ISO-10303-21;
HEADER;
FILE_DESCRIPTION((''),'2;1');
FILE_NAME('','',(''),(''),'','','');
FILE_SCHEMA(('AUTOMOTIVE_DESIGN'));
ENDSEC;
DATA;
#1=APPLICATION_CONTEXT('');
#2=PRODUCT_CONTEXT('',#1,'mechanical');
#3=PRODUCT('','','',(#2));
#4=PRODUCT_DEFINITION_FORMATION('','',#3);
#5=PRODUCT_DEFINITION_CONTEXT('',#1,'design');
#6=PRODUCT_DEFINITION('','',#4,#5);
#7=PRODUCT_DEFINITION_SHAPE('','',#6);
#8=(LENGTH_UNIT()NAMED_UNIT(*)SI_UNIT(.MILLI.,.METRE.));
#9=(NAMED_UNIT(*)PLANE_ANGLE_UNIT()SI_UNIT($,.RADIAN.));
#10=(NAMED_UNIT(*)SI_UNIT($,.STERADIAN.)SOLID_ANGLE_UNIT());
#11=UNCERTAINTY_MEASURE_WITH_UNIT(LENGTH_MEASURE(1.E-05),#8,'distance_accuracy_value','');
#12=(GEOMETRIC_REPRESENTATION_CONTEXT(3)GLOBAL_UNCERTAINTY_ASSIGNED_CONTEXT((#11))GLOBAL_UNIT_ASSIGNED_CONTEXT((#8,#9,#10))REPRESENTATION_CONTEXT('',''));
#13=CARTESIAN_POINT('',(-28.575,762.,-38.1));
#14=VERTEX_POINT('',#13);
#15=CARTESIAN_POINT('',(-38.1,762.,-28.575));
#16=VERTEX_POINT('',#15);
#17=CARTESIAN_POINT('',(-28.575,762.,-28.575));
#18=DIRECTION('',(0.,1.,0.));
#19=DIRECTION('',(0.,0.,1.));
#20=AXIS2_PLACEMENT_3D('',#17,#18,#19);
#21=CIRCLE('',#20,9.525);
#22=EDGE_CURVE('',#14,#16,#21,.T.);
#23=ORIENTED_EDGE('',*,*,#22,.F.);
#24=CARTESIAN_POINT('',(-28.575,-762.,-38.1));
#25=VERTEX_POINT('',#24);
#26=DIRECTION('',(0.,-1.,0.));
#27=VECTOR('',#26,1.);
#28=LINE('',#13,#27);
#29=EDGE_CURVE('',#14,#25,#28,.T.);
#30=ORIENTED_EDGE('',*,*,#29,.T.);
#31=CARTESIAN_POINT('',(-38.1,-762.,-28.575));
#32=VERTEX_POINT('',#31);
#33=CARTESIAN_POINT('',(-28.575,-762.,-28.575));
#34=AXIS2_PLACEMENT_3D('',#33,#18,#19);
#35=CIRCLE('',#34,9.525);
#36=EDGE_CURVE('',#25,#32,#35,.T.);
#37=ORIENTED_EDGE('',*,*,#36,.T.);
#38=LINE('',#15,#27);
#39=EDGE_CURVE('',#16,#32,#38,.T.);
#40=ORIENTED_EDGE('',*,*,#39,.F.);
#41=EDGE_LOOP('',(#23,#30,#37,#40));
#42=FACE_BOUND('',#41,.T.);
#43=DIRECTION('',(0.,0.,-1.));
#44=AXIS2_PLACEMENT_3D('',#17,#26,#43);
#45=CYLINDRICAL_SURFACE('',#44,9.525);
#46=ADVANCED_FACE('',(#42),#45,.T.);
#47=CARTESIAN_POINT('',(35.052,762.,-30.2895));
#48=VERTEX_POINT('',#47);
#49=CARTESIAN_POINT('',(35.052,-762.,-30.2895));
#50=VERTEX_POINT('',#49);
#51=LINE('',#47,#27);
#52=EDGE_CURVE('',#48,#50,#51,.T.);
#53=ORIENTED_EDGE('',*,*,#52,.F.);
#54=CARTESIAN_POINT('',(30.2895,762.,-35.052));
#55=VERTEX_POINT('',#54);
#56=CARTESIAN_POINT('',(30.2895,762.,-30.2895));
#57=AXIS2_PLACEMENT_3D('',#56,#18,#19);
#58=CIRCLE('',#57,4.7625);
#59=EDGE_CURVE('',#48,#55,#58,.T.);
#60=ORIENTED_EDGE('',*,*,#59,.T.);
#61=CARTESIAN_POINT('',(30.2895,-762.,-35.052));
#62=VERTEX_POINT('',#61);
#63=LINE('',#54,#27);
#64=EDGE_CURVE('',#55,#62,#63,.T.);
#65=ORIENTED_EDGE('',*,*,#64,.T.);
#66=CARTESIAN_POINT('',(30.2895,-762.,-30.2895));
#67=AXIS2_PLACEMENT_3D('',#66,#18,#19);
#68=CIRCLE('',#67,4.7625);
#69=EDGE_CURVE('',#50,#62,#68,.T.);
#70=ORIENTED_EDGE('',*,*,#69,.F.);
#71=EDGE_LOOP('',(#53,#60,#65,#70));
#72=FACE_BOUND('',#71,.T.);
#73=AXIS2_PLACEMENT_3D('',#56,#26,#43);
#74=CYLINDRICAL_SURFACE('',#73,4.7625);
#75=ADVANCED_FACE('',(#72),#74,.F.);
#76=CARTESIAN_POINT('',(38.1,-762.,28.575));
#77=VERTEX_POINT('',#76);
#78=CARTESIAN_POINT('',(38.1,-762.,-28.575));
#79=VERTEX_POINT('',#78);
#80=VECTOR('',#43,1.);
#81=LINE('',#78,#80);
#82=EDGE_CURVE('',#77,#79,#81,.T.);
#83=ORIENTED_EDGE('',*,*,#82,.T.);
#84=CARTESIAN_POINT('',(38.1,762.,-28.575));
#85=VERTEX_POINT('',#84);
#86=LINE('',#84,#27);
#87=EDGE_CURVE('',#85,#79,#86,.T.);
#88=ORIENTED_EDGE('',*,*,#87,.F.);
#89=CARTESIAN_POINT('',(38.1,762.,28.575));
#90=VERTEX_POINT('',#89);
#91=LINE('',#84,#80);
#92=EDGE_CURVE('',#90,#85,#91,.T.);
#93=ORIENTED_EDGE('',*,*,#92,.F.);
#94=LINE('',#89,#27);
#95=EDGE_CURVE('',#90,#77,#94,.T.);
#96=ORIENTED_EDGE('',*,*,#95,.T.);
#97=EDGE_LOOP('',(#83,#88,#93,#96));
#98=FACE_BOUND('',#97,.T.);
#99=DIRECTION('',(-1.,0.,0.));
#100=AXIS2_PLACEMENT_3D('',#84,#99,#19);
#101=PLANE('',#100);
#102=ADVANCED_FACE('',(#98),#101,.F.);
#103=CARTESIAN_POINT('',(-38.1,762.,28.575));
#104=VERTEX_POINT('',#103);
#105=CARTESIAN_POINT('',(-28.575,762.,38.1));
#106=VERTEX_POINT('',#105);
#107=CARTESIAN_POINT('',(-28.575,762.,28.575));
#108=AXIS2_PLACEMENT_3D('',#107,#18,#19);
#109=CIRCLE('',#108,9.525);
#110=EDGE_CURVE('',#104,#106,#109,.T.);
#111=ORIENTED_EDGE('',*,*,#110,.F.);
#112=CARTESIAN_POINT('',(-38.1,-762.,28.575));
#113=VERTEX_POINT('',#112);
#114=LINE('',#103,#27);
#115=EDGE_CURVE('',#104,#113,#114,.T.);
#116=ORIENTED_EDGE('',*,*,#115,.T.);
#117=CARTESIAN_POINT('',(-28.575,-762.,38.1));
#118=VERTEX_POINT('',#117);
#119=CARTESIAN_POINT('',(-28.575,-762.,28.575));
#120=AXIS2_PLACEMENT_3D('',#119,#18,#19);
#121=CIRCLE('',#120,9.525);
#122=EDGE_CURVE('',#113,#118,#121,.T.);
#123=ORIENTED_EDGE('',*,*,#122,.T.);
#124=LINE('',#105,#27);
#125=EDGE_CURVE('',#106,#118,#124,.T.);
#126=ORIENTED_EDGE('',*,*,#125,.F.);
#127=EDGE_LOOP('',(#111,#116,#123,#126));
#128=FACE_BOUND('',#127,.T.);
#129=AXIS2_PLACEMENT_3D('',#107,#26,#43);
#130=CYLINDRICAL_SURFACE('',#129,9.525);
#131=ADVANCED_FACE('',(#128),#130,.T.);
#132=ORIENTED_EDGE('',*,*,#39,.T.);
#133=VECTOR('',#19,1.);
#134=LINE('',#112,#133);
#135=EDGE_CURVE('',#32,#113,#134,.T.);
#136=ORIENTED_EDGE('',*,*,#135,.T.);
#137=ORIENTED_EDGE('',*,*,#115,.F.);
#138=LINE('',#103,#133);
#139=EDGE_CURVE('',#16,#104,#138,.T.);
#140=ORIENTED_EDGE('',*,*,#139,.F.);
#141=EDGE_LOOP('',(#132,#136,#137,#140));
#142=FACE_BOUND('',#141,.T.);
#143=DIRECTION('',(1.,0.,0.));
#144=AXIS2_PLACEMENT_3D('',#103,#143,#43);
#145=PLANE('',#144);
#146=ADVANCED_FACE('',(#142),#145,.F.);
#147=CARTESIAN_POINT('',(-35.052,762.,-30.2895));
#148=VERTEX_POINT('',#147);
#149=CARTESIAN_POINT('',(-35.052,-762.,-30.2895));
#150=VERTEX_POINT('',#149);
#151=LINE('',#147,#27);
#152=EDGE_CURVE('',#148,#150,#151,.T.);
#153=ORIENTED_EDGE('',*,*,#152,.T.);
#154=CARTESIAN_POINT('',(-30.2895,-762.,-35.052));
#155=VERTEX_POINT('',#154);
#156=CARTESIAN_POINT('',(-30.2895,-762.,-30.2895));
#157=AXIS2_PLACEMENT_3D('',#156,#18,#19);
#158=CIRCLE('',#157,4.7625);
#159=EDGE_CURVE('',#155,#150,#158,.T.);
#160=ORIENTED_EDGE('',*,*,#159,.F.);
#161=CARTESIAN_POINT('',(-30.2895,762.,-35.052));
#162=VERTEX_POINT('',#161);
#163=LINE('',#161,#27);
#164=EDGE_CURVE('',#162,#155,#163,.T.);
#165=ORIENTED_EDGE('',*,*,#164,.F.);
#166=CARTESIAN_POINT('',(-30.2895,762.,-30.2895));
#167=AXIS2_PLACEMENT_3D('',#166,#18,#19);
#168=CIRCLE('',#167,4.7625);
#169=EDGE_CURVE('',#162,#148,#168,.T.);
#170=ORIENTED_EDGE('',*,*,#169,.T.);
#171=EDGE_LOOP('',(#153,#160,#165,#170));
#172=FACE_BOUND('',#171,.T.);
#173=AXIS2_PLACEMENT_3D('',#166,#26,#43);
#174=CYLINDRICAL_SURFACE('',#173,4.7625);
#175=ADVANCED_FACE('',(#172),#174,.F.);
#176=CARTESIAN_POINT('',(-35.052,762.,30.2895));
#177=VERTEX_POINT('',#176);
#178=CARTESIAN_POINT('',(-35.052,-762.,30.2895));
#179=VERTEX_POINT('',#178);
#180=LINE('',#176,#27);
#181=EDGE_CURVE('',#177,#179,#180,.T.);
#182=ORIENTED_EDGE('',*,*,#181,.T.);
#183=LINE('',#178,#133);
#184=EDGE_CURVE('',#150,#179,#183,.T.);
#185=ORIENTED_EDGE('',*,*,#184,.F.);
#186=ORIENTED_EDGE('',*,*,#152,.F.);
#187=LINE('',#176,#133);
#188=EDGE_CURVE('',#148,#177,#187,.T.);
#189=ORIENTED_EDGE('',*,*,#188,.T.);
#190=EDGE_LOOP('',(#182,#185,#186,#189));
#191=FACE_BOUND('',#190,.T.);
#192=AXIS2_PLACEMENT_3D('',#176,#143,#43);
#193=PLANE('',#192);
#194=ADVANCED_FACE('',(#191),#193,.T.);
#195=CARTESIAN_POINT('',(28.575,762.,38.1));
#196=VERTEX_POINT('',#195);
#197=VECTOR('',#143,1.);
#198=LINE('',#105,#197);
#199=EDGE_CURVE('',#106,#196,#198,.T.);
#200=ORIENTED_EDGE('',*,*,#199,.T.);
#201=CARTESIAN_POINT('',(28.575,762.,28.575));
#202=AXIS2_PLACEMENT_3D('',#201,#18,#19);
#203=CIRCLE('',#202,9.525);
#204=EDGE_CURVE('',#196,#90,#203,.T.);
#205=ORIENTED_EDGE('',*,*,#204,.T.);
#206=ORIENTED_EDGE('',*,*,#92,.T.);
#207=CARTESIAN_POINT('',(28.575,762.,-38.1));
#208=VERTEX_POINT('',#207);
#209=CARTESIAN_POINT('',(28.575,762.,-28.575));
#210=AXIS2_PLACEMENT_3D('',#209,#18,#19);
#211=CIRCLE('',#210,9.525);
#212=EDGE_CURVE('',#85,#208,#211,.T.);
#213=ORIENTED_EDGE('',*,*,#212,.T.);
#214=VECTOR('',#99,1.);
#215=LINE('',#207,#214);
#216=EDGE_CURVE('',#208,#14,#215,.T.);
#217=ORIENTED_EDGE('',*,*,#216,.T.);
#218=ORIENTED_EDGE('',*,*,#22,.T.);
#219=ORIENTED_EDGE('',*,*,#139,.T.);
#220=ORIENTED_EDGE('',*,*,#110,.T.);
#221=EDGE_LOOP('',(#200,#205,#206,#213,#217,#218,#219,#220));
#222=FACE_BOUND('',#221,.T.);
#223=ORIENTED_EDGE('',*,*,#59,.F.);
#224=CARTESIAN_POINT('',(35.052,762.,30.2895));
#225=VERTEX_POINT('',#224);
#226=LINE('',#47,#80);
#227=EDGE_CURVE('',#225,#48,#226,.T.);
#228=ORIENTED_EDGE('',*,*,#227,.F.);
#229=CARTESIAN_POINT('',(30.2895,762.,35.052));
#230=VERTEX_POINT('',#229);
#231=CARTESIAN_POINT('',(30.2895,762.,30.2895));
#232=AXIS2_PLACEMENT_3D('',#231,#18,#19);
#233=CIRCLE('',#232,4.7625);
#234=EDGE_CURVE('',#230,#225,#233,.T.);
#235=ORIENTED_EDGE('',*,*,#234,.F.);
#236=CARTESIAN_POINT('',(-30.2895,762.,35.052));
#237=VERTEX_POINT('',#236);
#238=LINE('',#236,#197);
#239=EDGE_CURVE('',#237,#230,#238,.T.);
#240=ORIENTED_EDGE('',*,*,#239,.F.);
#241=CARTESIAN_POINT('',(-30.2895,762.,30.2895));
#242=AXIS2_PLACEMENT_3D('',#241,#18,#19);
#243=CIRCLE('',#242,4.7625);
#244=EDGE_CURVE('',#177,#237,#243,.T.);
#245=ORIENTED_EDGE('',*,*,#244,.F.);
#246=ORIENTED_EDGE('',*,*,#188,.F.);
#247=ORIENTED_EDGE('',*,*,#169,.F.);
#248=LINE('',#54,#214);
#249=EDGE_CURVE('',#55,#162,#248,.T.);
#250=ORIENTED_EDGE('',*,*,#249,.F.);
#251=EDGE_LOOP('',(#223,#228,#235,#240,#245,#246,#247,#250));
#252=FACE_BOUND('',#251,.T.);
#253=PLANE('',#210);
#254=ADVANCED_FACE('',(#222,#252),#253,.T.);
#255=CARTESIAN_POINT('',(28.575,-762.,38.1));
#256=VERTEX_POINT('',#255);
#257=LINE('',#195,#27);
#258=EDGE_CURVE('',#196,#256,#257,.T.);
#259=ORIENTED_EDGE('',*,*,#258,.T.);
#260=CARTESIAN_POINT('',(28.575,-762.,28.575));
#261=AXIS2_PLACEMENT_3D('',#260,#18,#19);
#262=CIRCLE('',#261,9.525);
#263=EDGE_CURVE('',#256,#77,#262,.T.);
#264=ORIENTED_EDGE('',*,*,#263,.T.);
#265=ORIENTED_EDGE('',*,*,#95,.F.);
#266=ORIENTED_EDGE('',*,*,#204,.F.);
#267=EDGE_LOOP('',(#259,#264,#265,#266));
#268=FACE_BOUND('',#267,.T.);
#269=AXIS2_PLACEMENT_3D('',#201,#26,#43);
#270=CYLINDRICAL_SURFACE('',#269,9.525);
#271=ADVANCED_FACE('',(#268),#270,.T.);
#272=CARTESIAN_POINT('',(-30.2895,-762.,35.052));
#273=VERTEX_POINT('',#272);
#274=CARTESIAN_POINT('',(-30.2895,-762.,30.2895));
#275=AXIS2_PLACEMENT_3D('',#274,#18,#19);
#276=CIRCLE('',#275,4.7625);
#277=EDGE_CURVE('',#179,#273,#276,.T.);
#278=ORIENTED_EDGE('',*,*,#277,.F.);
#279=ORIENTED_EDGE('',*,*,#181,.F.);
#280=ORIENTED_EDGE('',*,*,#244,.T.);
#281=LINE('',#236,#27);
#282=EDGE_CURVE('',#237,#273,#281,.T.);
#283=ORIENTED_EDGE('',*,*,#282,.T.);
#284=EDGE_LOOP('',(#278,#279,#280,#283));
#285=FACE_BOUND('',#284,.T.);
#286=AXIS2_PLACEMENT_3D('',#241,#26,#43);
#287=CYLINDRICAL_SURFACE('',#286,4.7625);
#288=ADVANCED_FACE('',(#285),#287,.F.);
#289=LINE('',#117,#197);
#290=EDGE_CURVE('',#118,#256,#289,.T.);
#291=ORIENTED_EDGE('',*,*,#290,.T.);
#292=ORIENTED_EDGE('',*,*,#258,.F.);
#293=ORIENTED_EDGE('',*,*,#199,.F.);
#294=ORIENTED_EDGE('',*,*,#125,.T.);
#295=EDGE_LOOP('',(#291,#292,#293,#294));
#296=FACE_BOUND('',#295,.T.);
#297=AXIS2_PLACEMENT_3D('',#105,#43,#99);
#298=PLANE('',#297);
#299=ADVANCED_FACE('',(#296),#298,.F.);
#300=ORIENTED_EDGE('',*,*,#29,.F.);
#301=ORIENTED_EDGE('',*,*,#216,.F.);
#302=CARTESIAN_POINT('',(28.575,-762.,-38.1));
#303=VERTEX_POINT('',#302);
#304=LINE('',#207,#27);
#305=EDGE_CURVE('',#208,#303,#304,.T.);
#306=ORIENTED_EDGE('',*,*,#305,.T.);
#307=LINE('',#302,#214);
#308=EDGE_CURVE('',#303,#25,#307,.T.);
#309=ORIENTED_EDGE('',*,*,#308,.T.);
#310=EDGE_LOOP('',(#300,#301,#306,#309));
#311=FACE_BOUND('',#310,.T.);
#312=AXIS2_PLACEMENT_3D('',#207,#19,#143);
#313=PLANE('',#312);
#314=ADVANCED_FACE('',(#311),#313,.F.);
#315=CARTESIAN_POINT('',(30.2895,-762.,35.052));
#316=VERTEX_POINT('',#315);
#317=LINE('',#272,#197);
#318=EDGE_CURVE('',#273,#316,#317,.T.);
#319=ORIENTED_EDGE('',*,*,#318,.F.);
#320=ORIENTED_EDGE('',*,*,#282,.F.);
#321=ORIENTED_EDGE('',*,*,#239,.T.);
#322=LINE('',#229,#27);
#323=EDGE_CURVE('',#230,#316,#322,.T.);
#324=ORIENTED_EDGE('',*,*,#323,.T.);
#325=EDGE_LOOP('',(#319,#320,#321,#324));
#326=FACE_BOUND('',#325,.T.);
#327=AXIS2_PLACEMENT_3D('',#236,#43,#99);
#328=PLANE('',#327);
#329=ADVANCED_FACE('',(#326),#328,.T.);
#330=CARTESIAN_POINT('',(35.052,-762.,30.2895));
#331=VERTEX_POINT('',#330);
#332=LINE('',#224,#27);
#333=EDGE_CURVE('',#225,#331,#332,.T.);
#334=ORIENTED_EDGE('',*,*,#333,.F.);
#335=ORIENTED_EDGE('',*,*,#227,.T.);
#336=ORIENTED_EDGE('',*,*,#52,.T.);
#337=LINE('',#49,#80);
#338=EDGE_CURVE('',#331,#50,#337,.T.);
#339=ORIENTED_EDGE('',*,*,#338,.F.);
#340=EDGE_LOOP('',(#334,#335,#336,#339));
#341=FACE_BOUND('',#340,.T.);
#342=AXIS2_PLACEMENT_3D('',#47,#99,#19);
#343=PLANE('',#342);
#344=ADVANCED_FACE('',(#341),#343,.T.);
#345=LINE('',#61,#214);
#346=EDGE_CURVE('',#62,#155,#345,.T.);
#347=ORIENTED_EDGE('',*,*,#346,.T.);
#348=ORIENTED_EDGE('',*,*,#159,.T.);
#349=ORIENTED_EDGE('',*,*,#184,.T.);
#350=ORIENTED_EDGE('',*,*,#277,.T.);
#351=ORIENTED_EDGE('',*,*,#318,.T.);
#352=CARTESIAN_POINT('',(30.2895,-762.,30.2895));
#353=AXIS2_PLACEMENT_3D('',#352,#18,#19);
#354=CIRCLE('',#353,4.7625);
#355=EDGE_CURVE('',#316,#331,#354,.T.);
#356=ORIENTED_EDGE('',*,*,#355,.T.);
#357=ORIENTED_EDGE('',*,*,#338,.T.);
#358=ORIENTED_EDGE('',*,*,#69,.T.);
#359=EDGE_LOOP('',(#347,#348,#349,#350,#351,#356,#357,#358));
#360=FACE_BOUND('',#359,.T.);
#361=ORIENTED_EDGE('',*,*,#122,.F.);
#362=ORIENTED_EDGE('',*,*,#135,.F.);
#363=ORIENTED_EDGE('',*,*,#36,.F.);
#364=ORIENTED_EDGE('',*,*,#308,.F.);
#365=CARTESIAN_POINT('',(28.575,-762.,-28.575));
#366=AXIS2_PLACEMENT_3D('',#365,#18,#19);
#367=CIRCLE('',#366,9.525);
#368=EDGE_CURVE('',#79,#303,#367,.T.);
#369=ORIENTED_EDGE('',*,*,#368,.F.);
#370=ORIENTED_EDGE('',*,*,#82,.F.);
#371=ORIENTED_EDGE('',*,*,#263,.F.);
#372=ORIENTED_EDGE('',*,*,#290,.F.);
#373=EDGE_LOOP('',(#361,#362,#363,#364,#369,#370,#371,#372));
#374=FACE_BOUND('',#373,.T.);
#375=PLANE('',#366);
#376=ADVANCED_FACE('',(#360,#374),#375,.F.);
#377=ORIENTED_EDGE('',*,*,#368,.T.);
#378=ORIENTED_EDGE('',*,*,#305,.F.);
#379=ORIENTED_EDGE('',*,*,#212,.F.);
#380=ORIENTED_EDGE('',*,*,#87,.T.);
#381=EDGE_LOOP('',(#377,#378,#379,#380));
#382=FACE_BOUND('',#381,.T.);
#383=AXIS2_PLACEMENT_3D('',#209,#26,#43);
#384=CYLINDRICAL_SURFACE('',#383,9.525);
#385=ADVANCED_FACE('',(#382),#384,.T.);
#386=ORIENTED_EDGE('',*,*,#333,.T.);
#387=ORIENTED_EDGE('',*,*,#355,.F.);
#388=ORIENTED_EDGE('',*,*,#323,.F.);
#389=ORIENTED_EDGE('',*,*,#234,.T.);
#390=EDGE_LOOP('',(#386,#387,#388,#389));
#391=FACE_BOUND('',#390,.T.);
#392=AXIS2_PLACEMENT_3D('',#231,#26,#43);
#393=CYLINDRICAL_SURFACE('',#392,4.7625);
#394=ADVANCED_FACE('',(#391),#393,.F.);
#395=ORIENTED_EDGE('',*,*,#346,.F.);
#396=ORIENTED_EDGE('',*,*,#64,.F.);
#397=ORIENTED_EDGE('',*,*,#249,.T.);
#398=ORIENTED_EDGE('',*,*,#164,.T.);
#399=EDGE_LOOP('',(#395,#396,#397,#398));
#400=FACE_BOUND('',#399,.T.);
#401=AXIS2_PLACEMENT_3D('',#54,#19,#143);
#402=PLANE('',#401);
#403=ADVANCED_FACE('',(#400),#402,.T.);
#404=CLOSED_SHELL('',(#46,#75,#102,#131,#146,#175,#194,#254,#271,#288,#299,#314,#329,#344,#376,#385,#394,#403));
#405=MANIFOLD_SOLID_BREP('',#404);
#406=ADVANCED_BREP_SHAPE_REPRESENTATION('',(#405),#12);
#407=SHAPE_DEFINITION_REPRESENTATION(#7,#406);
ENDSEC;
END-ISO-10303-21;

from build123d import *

# Parameters (mm, degrees)
BOSS_EXTRUDE1_DEPTH = 762


with BuildPart() as part:
    # Sketch1 → Boss-Extrude1 (new body, symmetric)
    with BuildSketch(Plane(origin=(0, 0, 0), x_dir=(1, 0, 0), z_dir=(0, 1, 0))):
        with BuildLine():
            Line((-28.575, -38.1), (28.575, -38.1))
            ThreePointArc((28.575, -38.1), (35.310192091, -35.310192091), (38.1, -28.575))
            Line((38.1, -28.575), (38.1, 28.575))
            ThreePointArc((38.1, 28.575), (35.310192091, 35.310192091), (28.575, 38.1))
            Line((28.575, 38.1), (-28.575, 38.1))
            ThreePointArc((-28.575, 38.1), (-35.310192091, 35.310192091), (-38.1, 28.575))
            Line((-38.1, 28.575), (-38.1, -28.575))
            ThreePointArc((-38.1, -28.575), (-35.310192091, -35.310192091), (-28.575, -38.1))
        make_face()
        with BuildLine():
            Line((-30.2895, -35.052), (30.2895, -35.052))
            ThreePointArc((30.2895, -35.052), (33.657096045, -33.657096045), (35.052, -30.2895))
            Line((35.052, -30.2895), (35.052, 30.2895))
            ThreePointArc((35.052, 30.2895), (33.657096045, 33.657096045), (30.2895, 35.052))
            Line((30.2895, 35.052), (-30.2895, 35.052))
            ThreePointArc((-30.2895, 35.052), (-33.657096045, 33.657096045), (-35.052, 30.2895))
            Line((-35.052, 30.2895), (-35.052, -30.2895))
            ThreePointArc((-35.052, -30.2895), (-33.657096045, -33.657096045), (-30.2895, -35.052))
        make_face(mode=Mode.SUBTRACT)
    extrude(amount=BOSS_EXTRUDE1_DEPTH, both=True)


solid = part.part
